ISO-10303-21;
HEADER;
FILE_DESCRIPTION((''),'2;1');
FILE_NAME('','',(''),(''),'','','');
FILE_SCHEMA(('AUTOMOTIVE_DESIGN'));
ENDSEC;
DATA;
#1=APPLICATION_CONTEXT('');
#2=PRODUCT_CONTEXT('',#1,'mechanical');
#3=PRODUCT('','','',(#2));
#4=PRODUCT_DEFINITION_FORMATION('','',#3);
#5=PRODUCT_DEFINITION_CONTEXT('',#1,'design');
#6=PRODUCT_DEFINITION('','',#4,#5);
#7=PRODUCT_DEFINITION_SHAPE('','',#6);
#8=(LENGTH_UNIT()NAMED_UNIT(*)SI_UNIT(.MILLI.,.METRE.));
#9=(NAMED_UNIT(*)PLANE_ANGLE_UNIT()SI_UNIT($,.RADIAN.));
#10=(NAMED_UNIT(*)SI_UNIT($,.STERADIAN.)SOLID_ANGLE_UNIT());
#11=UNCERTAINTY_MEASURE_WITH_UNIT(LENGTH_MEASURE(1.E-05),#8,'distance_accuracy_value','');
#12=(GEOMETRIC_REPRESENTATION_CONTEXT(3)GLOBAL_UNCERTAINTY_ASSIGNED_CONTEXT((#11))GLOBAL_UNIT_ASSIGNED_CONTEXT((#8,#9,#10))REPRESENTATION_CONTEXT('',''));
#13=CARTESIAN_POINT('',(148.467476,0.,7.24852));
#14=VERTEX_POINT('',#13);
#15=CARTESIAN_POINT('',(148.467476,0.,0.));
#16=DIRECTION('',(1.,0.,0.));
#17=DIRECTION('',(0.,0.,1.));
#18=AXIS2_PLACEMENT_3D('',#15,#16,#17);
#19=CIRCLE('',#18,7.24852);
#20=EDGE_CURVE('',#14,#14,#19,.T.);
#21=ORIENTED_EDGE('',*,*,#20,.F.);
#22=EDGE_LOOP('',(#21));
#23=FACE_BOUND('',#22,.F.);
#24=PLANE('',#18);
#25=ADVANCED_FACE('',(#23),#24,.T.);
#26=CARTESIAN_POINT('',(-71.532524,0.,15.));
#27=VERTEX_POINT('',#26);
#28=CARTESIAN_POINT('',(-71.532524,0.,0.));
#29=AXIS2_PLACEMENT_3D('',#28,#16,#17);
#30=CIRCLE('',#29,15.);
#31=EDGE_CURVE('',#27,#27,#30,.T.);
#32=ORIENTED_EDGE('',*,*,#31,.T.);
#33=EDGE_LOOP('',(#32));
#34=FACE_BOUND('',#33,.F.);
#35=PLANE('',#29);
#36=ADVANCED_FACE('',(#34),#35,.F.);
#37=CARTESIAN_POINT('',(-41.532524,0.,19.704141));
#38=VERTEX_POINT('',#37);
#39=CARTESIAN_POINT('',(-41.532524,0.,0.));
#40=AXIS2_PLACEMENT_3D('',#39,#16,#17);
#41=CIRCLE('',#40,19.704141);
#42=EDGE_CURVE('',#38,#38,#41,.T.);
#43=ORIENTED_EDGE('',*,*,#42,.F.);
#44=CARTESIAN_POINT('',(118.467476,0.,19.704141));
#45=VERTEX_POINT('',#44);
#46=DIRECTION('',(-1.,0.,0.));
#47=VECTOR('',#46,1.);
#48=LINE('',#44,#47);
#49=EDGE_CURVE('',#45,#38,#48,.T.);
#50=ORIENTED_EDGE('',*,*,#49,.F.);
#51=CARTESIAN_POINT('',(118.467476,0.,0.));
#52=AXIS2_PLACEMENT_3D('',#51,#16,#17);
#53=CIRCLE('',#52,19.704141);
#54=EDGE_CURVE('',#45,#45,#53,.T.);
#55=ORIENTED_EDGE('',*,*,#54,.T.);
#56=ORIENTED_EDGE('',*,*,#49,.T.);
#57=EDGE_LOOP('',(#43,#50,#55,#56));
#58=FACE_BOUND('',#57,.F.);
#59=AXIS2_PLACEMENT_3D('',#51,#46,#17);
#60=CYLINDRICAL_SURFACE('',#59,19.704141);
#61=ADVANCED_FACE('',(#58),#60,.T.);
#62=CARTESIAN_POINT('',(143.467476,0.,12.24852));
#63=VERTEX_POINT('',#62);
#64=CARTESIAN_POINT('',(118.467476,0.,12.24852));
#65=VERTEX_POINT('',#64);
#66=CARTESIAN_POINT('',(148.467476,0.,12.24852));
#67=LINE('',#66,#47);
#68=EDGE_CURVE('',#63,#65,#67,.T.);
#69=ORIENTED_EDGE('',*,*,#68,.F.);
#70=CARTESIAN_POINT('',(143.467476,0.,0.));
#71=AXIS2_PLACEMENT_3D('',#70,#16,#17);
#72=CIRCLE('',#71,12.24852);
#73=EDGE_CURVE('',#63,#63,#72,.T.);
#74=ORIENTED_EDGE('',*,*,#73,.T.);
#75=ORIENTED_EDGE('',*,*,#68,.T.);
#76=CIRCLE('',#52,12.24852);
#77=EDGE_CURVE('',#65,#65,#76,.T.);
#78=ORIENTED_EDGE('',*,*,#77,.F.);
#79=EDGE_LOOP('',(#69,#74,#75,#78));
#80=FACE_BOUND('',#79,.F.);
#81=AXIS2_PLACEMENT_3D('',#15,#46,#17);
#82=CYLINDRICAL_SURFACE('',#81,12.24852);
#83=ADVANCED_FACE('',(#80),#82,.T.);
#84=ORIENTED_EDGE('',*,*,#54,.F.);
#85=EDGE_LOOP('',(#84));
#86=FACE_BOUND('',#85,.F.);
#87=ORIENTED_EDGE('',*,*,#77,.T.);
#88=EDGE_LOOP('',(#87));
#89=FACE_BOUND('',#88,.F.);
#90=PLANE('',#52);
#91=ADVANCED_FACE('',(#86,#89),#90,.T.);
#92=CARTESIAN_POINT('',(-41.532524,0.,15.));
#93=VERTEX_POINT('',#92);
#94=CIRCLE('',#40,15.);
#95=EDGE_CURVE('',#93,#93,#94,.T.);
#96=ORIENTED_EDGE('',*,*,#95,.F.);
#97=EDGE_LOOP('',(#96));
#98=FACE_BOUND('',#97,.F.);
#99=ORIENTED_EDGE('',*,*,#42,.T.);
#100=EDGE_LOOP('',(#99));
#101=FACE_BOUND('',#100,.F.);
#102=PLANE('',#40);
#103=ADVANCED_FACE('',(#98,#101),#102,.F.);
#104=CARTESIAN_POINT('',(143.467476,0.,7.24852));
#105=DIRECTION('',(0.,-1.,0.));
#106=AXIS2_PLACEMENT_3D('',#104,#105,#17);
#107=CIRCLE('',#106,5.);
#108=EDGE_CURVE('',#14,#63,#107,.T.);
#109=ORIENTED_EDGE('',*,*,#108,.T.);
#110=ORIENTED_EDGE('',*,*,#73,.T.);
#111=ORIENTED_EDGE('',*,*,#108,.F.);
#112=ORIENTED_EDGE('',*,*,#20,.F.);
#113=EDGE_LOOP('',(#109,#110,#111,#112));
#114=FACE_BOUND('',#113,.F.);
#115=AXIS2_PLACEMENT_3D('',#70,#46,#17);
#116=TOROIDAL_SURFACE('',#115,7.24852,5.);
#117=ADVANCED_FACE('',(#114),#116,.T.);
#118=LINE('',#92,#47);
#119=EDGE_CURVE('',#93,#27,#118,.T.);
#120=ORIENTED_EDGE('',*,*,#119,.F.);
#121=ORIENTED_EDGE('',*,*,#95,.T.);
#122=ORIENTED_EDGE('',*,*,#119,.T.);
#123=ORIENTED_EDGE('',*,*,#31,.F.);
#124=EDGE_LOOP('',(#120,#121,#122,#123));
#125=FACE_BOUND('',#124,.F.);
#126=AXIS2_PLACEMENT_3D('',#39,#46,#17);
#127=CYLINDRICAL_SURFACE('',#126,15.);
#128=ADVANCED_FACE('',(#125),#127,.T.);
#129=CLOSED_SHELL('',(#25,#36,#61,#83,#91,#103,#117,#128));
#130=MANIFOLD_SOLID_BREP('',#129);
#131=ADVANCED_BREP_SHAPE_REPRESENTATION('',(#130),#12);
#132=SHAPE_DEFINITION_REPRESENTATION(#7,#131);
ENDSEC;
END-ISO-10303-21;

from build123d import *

# Parameters (mm, degrees)
F2_R = 5


with BuildPart() as f1:
    # F0 (on Front) → F1 (revolve)
    with BuildSketch(Plane.XZ):
        Polygon((-41.532524, 15), (-71.532524, 15), (-71.532524, 0), (148.467476, 0), (148.467476, 12.24852), (118.467476, 12.24852), (118.467476, 19.704141), (-41.532524, 19.704141), align=None)
    revolve(axis=Axis((7.899408, 0, 0), (1, 0, 0)))

    # F2
    f2_edges = [f1.edges().sort_by_distance(p)[0] for p in [
        (148.467476, 0, -12.24852),
    ]]
    fillet(f2_edges, radius=F2_R)


solid = f1.part
